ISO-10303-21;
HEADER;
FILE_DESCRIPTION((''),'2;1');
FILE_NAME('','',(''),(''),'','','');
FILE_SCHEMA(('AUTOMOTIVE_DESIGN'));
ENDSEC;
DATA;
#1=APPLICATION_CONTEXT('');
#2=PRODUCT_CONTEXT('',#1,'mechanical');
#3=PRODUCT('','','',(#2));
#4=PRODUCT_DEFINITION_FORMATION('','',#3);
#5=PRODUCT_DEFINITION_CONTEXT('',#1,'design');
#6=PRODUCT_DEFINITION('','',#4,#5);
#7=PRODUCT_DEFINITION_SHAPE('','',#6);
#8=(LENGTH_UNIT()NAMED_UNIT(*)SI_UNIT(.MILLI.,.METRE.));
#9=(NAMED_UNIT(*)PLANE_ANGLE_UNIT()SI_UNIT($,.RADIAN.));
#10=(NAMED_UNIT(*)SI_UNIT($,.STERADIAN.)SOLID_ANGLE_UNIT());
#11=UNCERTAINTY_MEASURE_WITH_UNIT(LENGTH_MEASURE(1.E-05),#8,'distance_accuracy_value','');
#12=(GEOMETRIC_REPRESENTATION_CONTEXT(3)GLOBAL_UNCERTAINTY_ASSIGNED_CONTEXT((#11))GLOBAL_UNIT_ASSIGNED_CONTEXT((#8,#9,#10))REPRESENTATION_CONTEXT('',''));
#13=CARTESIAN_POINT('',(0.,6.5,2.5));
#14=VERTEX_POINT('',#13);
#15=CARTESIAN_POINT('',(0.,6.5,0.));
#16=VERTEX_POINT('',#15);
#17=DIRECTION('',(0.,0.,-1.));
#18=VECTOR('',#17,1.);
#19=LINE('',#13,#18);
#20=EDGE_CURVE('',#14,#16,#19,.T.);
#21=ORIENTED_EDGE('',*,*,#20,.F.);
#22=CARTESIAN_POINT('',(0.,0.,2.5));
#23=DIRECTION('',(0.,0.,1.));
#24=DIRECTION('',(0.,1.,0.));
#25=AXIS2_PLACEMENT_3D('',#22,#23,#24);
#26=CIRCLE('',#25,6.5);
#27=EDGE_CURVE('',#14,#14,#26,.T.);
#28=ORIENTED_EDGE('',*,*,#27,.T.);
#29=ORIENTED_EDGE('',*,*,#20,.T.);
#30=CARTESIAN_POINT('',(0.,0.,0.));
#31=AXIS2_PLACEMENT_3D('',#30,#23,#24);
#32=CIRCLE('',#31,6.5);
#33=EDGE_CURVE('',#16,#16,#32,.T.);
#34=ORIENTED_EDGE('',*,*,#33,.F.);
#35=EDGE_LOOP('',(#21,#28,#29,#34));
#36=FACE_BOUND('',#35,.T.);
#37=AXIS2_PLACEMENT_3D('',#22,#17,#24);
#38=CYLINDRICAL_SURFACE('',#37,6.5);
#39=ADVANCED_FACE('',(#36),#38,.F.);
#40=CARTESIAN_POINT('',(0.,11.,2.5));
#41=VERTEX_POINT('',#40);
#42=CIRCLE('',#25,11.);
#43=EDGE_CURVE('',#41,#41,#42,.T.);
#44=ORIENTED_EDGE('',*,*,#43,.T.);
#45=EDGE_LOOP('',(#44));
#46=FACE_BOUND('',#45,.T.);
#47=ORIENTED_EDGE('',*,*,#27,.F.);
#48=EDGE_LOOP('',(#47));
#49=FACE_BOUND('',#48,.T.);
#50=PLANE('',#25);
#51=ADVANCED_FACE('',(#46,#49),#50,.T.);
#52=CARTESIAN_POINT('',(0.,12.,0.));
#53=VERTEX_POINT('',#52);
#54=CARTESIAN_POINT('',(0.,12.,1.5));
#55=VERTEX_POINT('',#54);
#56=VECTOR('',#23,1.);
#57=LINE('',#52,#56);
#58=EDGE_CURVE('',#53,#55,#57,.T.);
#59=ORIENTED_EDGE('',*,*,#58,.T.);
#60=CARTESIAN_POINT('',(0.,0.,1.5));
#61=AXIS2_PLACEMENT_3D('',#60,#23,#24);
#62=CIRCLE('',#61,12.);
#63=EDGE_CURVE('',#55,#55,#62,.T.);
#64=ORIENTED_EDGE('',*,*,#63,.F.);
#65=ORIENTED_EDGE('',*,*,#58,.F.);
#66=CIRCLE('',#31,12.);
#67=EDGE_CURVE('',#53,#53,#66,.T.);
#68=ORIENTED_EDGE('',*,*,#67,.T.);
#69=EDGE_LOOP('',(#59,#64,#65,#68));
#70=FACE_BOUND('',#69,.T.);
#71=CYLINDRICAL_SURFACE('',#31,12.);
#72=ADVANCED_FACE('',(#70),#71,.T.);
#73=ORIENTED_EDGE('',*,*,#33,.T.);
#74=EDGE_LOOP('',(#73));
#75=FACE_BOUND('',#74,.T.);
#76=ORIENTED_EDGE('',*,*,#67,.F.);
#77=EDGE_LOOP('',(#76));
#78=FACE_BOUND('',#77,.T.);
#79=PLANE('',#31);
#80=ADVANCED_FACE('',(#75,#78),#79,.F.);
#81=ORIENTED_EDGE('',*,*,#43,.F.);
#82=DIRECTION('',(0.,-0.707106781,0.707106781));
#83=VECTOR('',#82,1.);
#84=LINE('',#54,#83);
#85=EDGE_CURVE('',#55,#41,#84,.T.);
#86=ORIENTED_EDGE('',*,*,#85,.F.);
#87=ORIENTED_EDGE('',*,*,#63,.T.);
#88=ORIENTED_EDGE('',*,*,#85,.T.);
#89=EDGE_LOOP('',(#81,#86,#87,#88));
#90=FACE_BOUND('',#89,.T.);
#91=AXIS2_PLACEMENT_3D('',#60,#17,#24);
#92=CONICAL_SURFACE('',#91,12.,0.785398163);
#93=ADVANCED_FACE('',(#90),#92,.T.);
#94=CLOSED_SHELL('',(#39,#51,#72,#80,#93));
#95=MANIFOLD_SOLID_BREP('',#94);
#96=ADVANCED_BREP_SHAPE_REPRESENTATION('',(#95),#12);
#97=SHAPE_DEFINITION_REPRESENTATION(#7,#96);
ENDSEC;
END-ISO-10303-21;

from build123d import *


with BuildPart() as part:
    # Sketch → Revolution (revolve)
    with BuildSketch(Plane.YZ):
        Polygon((6.5, 0), (12, 0), (12, 1.5), (11, 2.5), (6.5, 2.5), align=None)
    revolve(axis=Axis((0, 0, 0), (0, 0, 1)))


solid = part.part
